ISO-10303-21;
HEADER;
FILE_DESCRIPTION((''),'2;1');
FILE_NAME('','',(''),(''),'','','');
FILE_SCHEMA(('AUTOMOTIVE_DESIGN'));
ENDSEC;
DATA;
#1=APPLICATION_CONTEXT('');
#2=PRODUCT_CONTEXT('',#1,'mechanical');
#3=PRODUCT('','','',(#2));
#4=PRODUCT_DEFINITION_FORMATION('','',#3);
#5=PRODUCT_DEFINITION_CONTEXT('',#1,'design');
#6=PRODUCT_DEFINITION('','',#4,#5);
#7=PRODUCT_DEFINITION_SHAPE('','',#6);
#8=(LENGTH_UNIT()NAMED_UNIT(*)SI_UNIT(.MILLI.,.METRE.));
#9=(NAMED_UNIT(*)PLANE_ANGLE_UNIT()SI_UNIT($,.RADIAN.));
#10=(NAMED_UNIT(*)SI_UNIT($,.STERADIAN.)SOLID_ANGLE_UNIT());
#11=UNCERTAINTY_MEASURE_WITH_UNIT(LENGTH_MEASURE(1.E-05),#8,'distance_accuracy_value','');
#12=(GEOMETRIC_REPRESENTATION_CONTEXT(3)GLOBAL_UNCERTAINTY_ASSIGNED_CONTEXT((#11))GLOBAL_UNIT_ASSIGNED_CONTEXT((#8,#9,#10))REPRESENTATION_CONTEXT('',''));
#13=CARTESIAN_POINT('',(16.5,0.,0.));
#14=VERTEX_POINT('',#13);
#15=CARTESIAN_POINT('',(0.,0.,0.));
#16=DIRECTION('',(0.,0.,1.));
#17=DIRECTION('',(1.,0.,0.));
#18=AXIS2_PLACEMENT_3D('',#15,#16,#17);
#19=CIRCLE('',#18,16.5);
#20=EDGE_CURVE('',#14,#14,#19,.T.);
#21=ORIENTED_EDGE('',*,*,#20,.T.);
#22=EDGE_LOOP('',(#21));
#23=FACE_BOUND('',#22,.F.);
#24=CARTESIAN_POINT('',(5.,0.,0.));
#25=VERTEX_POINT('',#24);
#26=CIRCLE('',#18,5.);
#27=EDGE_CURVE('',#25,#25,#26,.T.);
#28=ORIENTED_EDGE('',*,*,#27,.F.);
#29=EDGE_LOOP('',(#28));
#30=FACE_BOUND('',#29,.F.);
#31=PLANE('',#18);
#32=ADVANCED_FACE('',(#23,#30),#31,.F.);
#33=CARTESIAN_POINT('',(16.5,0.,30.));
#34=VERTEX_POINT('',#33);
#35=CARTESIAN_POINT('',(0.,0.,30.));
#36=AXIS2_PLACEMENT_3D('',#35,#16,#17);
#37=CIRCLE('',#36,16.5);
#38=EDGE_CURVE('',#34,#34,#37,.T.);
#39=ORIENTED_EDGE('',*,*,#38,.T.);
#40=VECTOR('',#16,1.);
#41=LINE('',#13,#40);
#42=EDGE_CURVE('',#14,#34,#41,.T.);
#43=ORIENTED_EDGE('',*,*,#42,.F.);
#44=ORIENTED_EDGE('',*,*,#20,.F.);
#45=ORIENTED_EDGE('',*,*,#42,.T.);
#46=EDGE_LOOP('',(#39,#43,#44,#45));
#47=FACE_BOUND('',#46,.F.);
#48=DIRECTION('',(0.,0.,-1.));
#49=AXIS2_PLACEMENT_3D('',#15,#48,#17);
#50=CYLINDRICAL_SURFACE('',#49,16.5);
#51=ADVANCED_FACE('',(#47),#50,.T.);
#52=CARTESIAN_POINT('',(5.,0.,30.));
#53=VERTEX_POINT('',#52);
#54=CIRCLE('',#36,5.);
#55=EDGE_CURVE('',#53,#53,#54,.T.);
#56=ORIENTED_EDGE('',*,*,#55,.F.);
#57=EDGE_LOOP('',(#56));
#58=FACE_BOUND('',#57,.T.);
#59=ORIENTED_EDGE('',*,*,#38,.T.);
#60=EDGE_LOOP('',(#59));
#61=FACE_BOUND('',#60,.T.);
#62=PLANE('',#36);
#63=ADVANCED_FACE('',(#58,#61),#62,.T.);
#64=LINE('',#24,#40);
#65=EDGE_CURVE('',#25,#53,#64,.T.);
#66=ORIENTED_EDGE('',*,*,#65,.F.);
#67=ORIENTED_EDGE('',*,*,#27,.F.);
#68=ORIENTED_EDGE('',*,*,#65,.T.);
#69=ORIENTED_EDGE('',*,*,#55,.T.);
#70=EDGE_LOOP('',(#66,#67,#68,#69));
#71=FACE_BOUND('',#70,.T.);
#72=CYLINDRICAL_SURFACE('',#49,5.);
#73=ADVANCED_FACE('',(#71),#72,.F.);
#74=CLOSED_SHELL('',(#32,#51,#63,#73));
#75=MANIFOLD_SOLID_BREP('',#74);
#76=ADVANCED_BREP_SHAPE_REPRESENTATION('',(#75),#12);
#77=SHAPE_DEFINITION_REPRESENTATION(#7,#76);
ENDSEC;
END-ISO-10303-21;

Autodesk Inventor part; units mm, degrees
ref_plane "YZ Plane" through (0, 0, 0) normal (1, 0, 0) x (0, 1, 0)
ref_plane "XZ Plane" through (0, 0, 0) normal (0, 1, 0) x (-1, 0, 0)
ref_plane "XY Plane" through (0, 0, 0) normal (0, 0, 1) x (1, 0, 0)
sketch "Sketch1" plane through (0, 0, 0) normal (0, 0, 1) x (1, 0, 0)
  circle A0 centre (0, 0) radius 5
  circle A1 centre (0, 0) radius 16.5
  dimension "d0" = 10
  dimension "d16" = 33
extrude "Extrusion1" add sketch "Sketch1" along normal blind 30
properties part number "emparejador_tubos"
